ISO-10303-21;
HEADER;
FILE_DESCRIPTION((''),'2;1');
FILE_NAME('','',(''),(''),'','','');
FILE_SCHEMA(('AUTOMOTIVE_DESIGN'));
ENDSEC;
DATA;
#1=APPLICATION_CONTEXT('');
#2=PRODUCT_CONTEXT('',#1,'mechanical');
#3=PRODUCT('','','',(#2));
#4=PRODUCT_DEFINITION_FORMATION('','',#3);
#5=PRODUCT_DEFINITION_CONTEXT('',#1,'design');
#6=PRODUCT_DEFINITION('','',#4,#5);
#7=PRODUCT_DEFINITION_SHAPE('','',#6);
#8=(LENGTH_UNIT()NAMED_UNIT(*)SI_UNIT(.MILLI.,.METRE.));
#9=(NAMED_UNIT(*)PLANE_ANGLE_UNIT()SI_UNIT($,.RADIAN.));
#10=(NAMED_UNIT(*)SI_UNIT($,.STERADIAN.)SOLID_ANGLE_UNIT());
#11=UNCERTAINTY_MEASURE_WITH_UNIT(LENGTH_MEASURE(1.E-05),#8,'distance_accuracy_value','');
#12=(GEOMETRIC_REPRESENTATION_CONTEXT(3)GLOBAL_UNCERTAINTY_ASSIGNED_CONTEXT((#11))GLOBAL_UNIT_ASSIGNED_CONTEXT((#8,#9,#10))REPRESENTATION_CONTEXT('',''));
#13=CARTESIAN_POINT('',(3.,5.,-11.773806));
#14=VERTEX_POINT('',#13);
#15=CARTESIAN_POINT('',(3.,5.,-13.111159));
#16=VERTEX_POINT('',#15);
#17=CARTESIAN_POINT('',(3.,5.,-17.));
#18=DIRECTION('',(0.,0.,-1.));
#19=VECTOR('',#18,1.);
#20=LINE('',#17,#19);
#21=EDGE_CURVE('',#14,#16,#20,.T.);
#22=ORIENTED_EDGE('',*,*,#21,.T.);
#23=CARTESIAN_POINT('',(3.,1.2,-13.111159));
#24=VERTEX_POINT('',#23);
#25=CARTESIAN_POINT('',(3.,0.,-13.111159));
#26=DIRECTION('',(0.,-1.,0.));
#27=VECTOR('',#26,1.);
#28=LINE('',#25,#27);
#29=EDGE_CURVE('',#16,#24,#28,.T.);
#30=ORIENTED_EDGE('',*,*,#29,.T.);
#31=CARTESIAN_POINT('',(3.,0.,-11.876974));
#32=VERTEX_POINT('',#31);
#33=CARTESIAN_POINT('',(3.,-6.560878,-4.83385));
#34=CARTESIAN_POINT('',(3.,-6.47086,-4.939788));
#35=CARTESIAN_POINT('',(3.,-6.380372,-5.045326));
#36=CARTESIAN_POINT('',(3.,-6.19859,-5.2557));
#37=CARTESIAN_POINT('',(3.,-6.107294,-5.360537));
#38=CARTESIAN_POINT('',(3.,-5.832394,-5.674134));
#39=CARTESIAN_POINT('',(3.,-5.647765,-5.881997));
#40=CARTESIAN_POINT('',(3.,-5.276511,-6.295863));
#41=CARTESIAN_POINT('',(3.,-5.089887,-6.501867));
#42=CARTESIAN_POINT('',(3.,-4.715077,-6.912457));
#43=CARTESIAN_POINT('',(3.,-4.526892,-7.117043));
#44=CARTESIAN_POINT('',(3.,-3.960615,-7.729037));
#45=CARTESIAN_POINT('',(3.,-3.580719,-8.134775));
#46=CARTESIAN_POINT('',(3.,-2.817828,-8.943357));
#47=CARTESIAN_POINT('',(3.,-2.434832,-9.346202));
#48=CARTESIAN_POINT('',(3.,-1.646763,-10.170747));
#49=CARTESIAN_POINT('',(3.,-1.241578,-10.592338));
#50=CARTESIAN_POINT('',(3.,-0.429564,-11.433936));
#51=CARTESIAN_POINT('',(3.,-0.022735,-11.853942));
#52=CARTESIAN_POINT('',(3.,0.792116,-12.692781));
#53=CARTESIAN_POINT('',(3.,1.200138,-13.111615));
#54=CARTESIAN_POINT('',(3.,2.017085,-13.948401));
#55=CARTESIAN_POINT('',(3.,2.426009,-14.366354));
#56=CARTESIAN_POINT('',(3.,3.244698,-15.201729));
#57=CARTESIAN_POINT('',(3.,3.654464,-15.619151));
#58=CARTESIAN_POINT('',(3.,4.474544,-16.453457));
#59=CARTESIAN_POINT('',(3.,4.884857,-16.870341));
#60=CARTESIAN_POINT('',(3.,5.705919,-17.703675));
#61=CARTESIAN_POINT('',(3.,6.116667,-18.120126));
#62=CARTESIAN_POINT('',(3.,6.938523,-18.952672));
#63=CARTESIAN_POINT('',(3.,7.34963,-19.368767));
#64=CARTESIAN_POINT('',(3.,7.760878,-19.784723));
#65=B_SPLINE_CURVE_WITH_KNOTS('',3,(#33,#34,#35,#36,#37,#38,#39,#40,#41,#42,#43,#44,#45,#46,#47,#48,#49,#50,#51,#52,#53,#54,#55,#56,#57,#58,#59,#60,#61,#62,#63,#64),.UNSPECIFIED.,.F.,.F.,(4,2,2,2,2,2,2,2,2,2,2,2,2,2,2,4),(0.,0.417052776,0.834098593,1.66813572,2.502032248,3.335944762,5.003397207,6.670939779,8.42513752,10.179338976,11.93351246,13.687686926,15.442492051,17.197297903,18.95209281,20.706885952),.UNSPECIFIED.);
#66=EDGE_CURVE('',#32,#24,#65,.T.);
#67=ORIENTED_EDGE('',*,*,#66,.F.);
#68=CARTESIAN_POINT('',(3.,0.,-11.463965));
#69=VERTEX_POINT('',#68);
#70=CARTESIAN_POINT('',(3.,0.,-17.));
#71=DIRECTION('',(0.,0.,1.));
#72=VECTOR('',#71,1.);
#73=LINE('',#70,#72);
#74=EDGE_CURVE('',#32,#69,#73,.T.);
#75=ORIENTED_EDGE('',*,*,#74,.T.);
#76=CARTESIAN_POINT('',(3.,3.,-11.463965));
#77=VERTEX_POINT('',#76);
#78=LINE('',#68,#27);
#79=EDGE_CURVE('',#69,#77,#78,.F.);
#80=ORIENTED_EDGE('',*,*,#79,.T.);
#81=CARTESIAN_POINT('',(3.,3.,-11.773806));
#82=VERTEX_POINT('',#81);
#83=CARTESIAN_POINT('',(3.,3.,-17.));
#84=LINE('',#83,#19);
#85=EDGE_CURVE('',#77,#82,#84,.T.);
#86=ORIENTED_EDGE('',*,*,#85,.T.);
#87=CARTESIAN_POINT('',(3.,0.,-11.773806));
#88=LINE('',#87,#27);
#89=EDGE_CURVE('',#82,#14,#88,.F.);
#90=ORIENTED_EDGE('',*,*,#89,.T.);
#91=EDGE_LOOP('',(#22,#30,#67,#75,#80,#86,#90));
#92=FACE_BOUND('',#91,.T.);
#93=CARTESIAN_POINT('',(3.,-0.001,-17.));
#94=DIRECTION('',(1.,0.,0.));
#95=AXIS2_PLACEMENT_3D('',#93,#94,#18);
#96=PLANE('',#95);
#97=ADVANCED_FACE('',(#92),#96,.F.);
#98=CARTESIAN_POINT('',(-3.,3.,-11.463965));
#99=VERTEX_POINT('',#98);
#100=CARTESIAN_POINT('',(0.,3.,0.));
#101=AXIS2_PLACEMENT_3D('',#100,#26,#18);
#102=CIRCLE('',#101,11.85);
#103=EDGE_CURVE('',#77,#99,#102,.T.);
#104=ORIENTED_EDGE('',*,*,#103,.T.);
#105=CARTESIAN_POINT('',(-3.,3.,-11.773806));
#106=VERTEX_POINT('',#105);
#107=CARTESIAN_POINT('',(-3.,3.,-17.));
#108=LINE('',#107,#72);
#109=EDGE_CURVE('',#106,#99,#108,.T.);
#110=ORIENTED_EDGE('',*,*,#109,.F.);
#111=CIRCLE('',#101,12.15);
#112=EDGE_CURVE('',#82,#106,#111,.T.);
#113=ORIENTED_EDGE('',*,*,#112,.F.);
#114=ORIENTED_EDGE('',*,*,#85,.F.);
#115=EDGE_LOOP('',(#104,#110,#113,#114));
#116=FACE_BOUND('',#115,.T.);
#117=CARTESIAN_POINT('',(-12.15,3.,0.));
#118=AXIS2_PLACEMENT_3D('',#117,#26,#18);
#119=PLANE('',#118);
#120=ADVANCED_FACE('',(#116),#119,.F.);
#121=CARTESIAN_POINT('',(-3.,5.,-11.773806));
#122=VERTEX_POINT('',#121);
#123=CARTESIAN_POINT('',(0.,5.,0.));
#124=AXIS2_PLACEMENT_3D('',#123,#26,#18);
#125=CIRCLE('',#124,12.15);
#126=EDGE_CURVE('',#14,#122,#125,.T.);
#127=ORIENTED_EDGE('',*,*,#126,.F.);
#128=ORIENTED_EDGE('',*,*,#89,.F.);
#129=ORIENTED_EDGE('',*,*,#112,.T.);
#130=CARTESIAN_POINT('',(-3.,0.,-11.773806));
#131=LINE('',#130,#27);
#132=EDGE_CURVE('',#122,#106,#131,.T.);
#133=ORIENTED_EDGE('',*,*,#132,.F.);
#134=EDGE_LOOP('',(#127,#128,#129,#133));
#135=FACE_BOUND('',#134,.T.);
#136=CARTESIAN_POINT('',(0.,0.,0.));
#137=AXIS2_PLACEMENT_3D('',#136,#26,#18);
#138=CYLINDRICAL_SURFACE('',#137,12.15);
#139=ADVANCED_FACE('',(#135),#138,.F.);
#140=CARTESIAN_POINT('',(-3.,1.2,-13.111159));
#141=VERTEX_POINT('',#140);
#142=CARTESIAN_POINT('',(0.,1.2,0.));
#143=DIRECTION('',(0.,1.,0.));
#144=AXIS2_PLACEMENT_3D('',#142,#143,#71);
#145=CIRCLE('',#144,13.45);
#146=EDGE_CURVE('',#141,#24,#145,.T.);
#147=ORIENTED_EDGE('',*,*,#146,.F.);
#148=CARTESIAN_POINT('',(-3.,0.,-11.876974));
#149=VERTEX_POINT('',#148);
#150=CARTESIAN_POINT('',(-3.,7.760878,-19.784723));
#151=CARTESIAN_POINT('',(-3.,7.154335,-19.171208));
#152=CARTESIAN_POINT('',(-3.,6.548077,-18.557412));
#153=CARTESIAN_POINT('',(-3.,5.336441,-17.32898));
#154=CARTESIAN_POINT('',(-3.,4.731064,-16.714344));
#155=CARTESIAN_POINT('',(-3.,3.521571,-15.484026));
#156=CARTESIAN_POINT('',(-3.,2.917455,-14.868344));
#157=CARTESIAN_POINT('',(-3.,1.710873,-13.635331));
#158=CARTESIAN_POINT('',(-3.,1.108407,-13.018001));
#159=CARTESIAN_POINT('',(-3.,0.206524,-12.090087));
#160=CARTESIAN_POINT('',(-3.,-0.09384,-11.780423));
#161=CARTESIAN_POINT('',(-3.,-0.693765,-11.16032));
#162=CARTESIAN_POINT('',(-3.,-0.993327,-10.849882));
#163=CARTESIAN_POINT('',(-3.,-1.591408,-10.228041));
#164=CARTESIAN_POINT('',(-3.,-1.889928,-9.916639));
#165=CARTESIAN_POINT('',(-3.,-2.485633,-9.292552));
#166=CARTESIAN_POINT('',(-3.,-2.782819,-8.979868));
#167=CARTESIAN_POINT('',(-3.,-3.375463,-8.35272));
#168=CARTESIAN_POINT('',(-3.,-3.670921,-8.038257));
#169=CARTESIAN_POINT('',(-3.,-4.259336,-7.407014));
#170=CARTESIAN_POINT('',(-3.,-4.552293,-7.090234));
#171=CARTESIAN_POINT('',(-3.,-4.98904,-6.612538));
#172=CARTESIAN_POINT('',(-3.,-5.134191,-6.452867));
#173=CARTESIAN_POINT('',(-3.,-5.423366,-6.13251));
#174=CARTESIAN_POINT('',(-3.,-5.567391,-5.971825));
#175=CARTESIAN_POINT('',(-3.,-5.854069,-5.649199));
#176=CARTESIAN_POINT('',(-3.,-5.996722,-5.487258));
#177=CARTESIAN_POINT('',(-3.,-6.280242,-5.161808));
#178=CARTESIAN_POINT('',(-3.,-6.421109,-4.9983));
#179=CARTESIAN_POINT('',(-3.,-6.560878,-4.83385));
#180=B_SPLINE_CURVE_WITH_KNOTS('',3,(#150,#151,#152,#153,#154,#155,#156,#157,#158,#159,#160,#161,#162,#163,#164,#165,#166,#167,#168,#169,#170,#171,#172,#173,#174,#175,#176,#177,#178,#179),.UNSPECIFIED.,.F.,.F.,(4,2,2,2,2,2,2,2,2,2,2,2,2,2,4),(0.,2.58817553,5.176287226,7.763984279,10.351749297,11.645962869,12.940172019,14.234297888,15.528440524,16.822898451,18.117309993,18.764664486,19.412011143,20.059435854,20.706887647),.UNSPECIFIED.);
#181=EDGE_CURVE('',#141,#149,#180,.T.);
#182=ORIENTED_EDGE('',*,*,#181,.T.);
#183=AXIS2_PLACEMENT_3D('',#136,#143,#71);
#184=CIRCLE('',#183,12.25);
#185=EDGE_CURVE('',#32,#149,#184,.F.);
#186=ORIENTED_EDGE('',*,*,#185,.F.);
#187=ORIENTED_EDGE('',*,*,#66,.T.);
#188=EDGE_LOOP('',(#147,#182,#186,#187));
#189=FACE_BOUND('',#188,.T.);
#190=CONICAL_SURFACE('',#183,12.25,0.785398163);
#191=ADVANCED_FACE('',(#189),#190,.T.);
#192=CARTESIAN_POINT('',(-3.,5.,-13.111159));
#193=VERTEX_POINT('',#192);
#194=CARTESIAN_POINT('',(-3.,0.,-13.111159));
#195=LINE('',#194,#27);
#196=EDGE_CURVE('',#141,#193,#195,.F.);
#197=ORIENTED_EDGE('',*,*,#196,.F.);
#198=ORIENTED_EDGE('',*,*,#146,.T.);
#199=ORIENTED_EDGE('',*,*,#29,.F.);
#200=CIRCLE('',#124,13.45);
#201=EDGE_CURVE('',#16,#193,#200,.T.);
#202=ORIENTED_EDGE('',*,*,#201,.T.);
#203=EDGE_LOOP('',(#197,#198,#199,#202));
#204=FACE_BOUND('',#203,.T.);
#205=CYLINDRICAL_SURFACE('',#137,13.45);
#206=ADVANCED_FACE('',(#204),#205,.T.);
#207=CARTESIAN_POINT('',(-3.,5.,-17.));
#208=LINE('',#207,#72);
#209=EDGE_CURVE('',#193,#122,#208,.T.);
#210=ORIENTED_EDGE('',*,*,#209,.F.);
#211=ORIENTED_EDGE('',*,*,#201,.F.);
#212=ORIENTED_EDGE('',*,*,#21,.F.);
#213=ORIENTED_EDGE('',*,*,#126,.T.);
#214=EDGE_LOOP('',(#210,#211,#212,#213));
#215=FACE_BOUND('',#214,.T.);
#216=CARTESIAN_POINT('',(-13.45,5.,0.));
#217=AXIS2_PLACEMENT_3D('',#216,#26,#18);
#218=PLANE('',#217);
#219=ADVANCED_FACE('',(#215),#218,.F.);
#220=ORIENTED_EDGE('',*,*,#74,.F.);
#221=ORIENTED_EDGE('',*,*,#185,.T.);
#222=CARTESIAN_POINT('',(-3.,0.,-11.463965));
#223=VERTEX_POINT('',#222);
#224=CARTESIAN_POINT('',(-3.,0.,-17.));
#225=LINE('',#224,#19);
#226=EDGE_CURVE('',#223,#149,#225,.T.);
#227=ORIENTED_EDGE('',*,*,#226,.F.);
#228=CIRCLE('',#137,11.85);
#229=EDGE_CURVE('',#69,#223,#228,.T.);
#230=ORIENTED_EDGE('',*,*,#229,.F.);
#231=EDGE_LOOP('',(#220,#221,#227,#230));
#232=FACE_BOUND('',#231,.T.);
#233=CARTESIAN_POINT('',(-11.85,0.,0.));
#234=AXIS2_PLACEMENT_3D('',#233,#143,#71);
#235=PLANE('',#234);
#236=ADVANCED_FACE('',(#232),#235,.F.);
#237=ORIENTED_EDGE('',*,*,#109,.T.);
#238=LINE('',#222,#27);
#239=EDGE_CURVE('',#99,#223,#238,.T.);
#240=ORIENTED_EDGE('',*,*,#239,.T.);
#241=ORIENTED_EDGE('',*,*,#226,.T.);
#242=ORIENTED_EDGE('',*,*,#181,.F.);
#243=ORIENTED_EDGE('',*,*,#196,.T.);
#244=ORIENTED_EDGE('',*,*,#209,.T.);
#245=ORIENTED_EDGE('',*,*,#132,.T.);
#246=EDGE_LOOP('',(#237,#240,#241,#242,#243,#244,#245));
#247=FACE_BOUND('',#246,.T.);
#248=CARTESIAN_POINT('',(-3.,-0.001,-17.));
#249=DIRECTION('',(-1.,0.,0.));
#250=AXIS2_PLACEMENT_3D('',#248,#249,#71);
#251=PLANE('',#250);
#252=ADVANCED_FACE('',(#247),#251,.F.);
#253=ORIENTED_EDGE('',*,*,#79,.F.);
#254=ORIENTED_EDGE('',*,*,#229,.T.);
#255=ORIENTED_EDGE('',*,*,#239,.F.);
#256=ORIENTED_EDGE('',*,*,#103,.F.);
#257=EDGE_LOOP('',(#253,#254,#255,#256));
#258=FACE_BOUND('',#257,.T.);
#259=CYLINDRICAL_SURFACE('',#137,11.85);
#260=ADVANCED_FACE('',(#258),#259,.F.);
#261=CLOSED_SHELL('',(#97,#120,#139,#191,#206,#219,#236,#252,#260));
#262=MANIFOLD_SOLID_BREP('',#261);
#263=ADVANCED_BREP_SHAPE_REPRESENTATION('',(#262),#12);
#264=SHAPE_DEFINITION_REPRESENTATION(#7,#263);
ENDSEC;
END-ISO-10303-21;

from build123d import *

# Parameters (mm, degrees)
CHAMFER_1_SIZE      = 1.2
CUT_EXTRUDE_1_REACH = 21.667
SKETCH_2_W          = 6
SKETCH_2_H          = 10


with BuildPart() as part:
    # Эскиз1 → Повернуть1 (revolve)
    with BuildSketch(Plane.XY, mode=Mode.PRIVATE) as revolve_1_sk:
        Polygon((-11.85, 0), (-13.45, 0), (-13.45, 5), (-12.15, 5), (-12.15, 3), (-11.85, 3), align=None)
    revolve(revolve_1_sk.sketch.rotate(Axis((0, 0, 0), (0, 1, 0)), 270), axis=Axis((0, 0, 0), (0, 1, 0)))

    # Фаска1
    chamfer_1_edges = [part.edges().sort_by_distance(p)[0] for p in [
        (0, 0, 13.45),
    ]]
    chamfer(chamfer_1_edges, length=CHAMFER_1_SIZE)

    # Эскиз2 → Вырез-Вытянуть1 (cut, up to next)
    with BuildSketch(Plane(origin=(0, 5, 0), x_dir=(1, 0, 0), z_dir=(0, 1, 0)), mode=Mode.PRIVATE) as cut_extrude_1_sk1:
        with Locations((0, 12)):
            Rectangle(SKETCH_2_W, SKETCH_2_H)
    cut_extrude_1_tool1 = extrude(cut_extrude_1_sk1.sketch, amount=-CUT_EXTRUDE_1_REACH, mode=Mode.PRIVATE) & part.part
    add(cut_extrude_1_tool1.solids().sort_by_distance((0, 5, -12))[0], mode=Mode.SUBTRACT)


solid = part.part
